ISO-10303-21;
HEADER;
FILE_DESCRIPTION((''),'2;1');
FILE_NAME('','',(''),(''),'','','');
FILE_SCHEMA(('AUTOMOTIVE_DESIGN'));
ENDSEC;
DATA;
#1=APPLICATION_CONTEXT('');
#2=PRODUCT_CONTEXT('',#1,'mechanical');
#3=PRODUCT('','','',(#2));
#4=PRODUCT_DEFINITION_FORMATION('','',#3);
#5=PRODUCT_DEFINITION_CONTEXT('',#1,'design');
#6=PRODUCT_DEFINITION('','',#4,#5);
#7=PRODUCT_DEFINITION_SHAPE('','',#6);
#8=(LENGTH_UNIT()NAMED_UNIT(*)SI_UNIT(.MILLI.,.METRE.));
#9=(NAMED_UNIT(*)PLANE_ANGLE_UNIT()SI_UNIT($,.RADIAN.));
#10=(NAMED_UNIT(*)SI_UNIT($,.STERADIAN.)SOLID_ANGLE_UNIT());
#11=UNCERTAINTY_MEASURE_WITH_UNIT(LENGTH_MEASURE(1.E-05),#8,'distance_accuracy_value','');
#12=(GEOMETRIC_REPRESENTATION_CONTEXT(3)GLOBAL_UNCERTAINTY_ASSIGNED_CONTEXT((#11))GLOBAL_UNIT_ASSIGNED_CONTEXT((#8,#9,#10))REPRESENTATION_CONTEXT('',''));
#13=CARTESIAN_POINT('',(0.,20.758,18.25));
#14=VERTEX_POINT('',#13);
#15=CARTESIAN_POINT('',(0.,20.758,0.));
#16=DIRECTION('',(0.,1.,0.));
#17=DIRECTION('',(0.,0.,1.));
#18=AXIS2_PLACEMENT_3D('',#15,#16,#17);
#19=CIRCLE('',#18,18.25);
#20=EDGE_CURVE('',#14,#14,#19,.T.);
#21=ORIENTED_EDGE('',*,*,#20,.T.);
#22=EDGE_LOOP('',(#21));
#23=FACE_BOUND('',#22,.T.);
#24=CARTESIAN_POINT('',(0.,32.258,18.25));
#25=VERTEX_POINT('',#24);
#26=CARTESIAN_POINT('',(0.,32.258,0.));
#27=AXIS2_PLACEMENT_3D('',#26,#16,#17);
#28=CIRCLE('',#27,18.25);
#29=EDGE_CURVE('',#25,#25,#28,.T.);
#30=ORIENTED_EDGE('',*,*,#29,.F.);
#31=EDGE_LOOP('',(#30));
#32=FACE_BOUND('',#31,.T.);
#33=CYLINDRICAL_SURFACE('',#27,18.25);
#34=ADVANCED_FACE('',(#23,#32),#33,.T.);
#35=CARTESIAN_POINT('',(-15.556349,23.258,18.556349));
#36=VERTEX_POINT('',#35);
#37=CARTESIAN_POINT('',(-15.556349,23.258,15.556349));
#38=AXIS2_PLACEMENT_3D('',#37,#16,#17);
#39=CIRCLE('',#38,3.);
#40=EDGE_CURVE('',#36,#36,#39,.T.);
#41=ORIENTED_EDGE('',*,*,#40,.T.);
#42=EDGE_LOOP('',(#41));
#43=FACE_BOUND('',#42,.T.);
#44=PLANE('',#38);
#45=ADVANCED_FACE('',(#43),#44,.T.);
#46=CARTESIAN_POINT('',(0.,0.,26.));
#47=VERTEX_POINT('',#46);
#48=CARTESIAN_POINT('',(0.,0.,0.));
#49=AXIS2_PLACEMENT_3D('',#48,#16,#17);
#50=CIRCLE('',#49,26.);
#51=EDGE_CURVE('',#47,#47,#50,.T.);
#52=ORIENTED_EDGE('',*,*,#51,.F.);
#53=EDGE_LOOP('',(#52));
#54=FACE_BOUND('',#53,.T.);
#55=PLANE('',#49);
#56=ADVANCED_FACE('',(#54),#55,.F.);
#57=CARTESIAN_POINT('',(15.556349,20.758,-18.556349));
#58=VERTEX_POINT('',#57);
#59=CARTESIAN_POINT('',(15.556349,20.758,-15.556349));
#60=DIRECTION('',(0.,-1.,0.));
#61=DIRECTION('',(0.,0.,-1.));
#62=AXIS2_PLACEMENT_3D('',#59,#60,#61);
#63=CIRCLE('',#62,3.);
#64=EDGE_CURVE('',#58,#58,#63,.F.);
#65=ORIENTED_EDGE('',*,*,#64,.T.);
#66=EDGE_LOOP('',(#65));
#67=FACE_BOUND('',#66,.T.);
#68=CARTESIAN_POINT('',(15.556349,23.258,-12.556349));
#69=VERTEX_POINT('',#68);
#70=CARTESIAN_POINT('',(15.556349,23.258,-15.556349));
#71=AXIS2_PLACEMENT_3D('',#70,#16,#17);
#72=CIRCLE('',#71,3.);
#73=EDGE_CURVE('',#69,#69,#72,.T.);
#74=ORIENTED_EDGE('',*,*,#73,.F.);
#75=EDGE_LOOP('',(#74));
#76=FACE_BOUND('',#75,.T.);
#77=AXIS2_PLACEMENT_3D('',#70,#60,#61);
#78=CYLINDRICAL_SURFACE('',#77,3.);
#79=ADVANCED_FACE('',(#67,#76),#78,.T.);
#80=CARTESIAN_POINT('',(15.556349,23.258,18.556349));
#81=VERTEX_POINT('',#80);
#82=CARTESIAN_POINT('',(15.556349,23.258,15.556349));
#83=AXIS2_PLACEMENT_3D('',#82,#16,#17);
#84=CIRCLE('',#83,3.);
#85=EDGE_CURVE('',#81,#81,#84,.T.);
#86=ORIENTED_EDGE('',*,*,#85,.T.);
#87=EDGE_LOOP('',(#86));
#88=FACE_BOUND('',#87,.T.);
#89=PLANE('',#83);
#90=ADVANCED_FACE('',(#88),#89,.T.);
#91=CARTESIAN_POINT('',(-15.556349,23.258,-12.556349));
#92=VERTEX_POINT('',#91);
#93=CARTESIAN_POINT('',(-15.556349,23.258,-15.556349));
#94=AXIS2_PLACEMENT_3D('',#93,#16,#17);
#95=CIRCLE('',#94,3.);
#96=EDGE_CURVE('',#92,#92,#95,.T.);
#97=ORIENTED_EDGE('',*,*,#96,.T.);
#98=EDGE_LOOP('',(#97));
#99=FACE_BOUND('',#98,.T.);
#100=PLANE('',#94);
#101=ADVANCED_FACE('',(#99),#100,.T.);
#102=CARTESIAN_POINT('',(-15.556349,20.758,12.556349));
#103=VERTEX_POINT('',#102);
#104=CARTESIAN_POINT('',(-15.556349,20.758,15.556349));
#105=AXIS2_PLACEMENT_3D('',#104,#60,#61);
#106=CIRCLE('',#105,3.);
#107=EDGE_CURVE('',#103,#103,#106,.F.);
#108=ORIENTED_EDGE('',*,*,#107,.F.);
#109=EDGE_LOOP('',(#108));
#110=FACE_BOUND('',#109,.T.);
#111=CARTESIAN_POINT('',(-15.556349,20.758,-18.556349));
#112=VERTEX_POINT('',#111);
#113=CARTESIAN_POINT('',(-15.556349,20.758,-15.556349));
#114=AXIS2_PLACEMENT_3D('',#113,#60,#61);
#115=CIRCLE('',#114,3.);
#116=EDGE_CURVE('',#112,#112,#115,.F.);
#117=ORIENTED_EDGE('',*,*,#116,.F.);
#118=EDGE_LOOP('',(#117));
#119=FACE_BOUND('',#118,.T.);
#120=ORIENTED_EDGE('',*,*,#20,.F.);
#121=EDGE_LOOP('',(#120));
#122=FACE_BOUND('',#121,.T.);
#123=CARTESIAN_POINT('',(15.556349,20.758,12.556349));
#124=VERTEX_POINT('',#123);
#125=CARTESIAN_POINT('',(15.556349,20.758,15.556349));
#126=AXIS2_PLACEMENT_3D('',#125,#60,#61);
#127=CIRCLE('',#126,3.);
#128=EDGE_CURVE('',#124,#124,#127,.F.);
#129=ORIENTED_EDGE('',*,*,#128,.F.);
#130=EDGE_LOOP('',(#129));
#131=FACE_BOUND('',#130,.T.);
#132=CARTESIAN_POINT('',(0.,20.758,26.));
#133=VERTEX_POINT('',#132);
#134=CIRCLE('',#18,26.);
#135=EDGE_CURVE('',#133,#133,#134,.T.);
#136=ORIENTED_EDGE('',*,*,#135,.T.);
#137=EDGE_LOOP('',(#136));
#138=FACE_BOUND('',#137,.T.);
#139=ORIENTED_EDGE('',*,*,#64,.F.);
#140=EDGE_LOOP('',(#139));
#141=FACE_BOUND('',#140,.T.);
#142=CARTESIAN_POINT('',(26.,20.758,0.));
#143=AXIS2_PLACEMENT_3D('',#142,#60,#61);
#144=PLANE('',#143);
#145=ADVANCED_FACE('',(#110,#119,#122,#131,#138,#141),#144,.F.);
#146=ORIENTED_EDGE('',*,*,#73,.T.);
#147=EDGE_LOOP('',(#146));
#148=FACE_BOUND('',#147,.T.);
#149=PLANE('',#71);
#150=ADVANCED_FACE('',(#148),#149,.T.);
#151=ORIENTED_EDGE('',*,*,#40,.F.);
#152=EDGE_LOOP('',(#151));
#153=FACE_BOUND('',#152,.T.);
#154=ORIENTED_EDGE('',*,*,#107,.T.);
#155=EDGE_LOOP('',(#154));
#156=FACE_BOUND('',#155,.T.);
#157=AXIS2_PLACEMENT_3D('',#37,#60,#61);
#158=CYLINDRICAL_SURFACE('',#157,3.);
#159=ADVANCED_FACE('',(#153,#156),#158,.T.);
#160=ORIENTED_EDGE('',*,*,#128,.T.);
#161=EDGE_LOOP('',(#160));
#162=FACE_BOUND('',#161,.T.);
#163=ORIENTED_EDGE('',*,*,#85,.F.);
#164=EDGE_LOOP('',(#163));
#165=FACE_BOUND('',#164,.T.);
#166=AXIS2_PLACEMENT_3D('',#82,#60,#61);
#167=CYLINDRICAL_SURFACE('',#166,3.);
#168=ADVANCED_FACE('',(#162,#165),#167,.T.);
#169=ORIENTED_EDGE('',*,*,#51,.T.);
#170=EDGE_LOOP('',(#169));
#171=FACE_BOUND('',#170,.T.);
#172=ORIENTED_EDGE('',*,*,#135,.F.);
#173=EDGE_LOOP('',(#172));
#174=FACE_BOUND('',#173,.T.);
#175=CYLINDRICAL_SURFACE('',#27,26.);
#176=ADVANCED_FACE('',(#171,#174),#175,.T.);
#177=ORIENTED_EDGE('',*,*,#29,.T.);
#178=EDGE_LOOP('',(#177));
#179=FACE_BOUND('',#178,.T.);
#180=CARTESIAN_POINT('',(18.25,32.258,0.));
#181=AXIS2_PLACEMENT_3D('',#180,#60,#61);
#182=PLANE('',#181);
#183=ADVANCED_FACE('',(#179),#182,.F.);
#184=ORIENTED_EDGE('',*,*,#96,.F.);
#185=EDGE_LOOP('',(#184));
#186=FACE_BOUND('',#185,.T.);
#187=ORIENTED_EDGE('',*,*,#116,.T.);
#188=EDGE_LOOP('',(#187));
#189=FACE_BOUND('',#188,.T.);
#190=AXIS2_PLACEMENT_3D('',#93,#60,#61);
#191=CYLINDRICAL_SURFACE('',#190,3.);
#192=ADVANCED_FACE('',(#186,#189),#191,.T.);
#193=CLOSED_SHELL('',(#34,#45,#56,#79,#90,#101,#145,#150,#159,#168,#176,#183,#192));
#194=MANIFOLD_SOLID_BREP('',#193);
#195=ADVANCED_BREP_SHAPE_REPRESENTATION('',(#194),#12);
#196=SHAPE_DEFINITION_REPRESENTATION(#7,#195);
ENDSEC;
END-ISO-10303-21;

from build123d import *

# Parameters (mm, degrees)
SKETCH4_R           = 3
BOSS_EXTRUDE1_DEPTH = 2.5


with BuildPart() as part:
    # Sketch3 → Revolve1 (revolve)
    with BuildSketch(Plane.XY):
        Polygon((0, 0), (26, 0), (26, 20.758), (18.25, 20.758), (18.25, 32.258), (0, 32.258), align=None)
    revolve(axis=Axis((0, 32.258, 0), (0, -1, 0)))

    # Sketch4 → Boss-Extrude1 (add)
    with BuildSketch(Plane(origin=(0, 20.758, 0), x_dir=(1, 0, 0), z_dir=(0, 1, 0))):
        with Locations((-15.556349186, 15.556349186)):
            Circle(SKETCH4_R)
        with Locations((15.556349186, 15.556349186)):
            Circle(SKETCH4_R)
        with Locations((15.556349186, -15.556349186)):
            Circle(SKETCH4_R)
        with Locations((-15.556349186, -15.556349186)):
            Circle(SKETCH4_R)
    extrude(amount=BOSS_EXTRUDE1_DEPTH)


solid = part.part
